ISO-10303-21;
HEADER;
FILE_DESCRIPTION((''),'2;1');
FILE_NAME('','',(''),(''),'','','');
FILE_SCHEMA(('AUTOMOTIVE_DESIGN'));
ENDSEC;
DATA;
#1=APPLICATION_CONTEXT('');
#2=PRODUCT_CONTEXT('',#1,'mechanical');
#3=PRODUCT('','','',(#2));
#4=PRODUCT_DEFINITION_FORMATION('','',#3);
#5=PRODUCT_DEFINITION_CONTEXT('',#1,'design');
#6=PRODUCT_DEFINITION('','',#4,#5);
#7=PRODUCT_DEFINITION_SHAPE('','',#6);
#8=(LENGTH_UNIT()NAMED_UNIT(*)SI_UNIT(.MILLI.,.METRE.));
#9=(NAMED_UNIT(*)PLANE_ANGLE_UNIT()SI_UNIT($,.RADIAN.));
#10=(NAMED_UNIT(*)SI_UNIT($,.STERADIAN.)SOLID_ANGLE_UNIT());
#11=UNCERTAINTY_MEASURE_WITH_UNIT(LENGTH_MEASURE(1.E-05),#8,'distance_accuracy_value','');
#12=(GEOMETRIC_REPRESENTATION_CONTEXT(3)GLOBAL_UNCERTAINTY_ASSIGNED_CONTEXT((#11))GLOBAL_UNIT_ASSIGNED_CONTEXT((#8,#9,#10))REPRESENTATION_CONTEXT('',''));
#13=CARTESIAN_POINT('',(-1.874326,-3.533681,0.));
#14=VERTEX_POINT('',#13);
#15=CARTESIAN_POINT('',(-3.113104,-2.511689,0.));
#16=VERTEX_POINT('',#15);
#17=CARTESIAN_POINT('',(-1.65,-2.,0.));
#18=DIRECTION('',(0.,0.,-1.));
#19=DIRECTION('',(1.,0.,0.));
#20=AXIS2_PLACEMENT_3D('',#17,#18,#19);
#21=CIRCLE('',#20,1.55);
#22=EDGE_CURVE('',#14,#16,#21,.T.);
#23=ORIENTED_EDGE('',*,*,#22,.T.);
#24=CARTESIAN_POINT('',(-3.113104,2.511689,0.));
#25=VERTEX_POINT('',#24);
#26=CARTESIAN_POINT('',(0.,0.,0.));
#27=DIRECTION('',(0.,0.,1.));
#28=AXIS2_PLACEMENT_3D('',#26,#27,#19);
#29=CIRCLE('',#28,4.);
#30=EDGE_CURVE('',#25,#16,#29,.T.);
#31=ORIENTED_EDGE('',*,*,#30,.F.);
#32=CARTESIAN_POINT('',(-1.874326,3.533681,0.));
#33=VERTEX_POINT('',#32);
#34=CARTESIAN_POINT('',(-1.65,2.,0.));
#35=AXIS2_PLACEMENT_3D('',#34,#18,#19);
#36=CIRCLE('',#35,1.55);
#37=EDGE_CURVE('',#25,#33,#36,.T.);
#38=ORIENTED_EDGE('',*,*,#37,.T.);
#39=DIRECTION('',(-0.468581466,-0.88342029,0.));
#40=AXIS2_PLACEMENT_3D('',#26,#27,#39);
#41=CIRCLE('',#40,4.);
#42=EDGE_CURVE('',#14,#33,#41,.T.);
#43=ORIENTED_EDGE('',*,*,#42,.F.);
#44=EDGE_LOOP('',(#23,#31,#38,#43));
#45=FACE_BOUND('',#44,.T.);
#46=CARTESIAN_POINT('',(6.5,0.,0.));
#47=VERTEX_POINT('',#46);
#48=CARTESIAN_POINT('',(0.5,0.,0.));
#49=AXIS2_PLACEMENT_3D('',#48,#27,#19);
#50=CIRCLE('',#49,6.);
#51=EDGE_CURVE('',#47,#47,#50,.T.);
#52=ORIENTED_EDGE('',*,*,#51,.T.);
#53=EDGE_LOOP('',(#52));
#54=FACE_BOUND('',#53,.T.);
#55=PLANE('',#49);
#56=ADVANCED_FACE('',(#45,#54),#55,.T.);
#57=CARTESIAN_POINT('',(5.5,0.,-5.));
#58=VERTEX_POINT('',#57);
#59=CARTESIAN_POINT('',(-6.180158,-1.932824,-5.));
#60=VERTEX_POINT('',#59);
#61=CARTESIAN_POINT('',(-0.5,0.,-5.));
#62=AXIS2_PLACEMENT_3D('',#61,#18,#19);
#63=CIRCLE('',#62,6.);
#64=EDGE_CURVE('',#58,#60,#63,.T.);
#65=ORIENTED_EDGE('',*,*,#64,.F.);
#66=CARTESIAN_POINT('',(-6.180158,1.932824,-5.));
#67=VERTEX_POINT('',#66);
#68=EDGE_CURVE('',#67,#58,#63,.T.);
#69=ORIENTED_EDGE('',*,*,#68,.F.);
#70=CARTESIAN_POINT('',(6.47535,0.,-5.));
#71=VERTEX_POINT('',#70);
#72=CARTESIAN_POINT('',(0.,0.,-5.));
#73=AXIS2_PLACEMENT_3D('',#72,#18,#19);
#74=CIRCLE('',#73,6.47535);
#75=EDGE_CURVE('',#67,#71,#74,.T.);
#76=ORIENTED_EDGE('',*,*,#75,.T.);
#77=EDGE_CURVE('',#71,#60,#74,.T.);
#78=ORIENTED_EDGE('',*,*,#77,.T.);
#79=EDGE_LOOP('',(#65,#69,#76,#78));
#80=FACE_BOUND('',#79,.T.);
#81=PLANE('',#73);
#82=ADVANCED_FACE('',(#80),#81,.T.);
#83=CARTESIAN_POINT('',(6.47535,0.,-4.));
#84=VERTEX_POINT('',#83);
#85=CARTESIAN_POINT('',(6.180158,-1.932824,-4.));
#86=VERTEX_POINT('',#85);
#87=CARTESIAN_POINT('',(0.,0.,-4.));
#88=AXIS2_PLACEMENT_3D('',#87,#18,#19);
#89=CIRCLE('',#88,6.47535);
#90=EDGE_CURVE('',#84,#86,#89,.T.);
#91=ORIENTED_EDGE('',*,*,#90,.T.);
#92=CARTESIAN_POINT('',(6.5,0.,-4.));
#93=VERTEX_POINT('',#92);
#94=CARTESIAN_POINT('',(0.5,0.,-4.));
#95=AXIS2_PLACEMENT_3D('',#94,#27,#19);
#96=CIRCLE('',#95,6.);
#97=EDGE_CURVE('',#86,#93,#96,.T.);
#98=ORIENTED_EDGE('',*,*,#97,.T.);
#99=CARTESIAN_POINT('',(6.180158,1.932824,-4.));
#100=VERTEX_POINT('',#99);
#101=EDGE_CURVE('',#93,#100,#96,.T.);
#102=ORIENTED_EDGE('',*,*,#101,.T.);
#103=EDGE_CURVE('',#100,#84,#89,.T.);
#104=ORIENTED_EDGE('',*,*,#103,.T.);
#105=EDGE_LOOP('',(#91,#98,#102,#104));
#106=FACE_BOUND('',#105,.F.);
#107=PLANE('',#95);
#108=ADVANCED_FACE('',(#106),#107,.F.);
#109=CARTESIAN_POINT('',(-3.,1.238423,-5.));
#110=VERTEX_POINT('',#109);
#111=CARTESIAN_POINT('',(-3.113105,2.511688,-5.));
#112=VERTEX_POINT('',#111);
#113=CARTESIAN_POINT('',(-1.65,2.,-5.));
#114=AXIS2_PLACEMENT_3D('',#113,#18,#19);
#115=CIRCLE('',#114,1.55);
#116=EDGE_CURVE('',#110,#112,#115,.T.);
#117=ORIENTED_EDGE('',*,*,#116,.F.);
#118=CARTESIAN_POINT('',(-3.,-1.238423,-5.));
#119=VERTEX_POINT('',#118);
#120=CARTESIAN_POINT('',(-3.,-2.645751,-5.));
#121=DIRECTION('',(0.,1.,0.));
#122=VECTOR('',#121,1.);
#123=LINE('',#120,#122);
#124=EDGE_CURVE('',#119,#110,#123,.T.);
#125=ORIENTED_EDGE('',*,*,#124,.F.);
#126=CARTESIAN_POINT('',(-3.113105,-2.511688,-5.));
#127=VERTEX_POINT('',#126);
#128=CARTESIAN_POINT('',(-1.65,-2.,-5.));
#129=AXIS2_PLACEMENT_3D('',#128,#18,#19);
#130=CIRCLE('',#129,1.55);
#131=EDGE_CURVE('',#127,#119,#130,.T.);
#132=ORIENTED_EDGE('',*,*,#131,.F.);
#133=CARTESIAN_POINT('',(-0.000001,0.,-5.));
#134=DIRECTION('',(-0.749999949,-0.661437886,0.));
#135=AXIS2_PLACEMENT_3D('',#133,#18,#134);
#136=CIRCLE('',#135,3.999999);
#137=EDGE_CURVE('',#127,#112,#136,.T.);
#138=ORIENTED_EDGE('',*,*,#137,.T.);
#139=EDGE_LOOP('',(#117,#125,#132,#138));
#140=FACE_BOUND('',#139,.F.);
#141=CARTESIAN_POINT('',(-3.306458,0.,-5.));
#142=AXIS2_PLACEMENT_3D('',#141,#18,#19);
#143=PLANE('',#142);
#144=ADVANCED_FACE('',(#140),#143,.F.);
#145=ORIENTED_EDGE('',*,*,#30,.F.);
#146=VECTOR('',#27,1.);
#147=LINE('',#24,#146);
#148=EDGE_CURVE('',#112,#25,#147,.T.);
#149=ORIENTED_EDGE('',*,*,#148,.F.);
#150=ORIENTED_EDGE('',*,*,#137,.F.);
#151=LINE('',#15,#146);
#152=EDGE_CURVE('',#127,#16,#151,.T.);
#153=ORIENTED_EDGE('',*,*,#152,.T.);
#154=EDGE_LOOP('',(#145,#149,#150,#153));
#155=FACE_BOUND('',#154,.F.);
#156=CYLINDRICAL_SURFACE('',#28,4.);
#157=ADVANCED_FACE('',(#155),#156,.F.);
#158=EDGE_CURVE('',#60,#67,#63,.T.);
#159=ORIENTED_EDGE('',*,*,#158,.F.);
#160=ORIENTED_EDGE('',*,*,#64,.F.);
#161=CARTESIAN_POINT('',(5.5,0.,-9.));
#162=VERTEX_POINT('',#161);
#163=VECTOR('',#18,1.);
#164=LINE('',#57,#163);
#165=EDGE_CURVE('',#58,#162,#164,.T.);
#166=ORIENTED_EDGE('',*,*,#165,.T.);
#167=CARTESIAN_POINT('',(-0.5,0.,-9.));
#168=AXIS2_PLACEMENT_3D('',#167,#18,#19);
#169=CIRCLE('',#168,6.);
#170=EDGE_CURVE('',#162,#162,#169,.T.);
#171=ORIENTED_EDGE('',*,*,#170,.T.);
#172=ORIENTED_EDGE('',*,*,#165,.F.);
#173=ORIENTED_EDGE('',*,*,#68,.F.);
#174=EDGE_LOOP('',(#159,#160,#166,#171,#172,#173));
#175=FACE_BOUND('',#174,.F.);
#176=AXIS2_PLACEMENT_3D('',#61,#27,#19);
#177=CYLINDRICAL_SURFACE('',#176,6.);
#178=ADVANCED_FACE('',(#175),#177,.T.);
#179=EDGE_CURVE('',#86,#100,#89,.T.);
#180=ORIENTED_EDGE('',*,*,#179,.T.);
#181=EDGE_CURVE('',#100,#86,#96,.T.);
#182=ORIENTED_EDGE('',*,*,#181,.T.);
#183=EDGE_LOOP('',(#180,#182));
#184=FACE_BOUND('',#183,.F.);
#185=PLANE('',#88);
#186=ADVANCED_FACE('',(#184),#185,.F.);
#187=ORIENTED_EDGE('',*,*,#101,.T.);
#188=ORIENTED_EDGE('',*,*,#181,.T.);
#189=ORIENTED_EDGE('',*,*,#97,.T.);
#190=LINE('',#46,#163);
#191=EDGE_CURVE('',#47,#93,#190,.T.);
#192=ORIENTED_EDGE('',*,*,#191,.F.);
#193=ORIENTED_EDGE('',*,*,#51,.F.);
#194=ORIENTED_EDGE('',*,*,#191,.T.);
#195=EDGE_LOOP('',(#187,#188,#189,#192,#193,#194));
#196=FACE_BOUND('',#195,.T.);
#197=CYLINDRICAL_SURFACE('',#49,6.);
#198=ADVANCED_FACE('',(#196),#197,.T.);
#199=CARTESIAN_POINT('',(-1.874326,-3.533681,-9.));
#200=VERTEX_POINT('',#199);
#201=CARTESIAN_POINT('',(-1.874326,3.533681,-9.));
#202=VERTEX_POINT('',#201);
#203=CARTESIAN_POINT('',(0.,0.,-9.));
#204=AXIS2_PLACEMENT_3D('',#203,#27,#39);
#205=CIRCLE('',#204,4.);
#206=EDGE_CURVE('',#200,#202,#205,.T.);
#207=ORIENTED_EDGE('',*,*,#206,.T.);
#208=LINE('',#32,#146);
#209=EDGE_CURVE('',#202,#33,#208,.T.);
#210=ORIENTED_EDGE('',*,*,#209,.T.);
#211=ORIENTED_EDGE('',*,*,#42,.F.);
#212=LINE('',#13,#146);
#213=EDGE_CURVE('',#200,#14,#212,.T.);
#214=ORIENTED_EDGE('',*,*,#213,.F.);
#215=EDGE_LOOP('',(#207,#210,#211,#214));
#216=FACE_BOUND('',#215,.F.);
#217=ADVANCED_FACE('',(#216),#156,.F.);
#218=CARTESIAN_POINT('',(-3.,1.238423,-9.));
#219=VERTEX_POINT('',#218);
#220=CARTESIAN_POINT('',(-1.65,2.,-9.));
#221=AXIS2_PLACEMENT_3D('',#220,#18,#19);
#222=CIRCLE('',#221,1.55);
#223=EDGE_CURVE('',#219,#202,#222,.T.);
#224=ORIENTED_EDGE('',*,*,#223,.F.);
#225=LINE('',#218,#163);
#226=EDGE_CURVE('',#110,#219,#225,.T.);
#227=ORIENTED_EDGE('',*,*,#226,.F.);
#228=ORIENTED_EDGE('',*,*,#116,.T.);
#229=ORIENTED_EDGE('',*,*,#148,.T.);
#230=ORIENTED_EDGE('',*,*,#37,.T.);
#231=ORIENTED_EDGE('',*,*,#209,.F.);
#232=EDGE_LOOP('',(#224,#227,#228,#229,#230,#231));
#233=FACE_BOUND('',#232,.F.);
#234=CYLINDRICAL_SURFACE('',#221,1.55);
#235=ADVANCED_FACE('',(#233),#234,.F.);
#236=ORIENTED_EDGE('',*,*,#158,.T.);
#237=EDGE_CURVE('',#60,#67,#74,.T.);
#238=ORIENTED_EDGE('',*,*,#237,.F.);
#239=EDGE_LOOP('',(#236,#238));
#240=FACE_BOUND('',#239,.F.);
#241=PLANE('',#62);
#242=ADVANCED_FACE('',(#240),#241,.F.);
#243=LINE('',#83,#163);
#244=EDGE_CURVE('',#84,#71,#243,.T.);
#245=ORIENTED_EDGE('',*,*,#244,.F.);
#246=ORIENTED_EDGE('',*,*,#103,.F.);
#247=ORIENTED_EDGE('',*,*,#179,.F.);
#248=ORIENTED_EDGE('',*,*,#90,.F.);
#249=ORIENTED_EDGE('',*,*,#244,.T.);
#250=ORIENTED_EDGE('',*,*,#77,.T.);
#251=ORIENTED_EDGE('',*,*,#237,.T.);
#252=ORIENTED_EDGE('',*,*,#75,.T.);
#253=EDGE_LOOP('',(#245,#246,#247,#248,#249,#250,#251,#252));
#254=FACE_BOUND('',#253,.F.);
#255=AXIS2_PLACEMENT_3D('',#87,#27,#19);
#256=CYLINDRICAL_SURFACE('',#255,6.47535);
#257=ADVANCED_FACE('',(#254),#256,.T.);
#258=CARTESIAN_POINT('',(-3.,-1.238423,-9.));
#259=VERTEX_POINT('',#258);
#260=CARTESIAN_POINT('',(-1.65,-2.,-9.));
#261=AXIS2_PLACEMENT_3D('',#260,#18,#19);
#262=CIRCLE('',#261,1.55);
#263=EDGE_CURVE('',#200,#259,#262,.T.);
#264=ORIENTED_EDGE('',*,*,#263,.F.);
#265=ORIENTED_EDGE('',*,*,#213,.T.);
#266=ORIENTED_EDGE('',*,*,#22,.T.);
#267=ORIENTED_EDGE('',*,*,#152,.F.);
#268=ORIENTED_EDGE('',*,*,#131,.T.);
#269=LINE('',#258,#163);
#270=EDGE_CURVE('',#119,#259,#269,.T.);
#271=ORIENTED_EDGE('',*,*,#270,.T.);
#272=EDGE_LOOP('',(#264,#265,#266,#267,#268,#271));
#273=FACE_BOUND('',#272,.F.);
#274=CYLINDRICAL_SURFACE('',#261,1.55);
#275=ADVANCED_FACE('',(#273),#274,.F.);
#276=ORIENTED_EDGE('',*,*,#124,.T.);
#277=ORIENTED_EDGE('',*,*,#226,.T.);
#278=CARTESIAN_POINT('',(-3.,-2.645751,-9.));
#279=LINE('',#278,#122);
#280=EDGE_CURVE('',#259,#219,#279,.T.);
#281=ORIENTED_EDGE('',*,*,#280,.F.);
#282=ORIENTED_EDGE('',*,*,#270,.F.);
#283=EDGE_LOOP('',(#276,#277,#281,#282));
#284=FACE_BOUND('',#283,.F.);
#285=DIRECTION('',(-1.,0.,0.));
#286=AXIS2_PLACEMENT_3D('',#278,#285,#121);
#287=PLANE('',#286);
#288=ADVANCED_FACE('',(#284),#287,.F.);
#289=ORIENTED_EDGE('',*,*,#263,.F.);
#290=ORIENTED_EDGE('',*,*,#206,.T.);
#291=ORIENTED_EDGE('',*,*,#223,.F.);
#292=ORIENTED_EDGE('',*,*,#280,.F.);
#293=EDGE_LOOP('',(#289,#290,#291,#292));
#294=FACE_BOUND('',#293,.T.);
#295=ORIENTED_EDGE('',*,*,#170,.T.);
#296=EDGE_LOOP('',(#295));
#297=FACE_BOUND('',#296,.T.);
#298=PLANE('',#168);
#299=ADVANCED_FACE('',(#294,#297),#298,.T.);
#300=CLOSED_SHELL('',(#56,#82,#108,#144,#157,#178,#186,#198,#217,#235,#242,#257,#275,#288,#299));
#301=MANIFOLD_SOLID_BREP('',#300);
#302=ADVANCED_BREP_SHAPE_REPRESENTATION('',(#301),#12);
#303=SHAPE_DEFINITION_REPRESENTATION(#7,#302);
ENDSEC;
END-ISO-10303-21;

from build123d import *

# Parameters (mm, degrees)
SKETCH_R        = 6
PAD_DEPTH       = 4
SKETCH001_R     = 6.47535
PAD001_DEPTH    = 1
SKETCH002_R     = 6
PAD002_DEPTH    = 4
SKETCH003_R     = 4
POCKET_DEPTH    = 9.001
PAD003_DEPTH    = 4
SKETCH005_R     = 1.55
POCKET001_DEPTH = 9.001


with BuildPart() as part:
    # Sketch → Pad (new body)
    with BuildSketch(Plane.XY):
        with Locations((0.5, 0)):
            Circle(SKETCH_R)
    extrude(amount=-PAD_DEPTH)

    # Sketch001 (on Face3 of Pad) → Pad001 (join)
    with BuildSketch(Plane(origin=(0, 0, -4), x_dir=(1, 0, 0), z_dir=(0, 0, -1))):
        Circle(SKETCH001_R)
    extrude(amount=PAD001_DEPTH)

    # Sketch002 (on Face6 of Pad001) → Pad002 (join)
    with BuildSketch(Plane(origin=(0, 0, -5), x_dir=(1, 0, 0), z_dir=(0, 0, -1))):
        with Locations((-0.5, 0)):
            Circle(SKETCH002_R)
    extrude(amount=PAD002_DEPTH)

    # Sketch003 (on Face2 of Pad002) → Pocket (cut, through all)
    with BuildSketch(Plane.XY):
        Circle(SKETCH003_R)
    extrude(amount=-POCKET_DEPTH, mode=Mode.SUBTRACT)

    # Sketch004 (on Face7 of Pocket) → Pad003 (join)
    with BuildSketch(Plane(origin=(0, 0, -9), x_dir=(1, 0, 0), z_dir=(0, 0, -1))):
        with BuildLine():
            ThreePointArc((-3, 2.645751), (-4, 0), (-3, -2.645751))
            Line((-3, 2.645751), (-3, -2.645751))
        make_face()
    extrude(amount=-PAD003_DEPTH)

    # Sketch005 (on Face7 of Pad003) → Pocket001 (cut, through all)
    with BuildSketch(Plane(origin=(0, 0, -9), x_dir=(1, 0, 0), z_dir=(0, 0, -1))):
        with Locations((-1.65, 2)):
            Circle(SKETCH005_R)
        with Locations((-1.65, -2)):
            Circle(SKETCH005_R)
    extrude(amount=-POCKET001_DEPTH, mode=Mode.SUBTRACT)


solid = part.part
